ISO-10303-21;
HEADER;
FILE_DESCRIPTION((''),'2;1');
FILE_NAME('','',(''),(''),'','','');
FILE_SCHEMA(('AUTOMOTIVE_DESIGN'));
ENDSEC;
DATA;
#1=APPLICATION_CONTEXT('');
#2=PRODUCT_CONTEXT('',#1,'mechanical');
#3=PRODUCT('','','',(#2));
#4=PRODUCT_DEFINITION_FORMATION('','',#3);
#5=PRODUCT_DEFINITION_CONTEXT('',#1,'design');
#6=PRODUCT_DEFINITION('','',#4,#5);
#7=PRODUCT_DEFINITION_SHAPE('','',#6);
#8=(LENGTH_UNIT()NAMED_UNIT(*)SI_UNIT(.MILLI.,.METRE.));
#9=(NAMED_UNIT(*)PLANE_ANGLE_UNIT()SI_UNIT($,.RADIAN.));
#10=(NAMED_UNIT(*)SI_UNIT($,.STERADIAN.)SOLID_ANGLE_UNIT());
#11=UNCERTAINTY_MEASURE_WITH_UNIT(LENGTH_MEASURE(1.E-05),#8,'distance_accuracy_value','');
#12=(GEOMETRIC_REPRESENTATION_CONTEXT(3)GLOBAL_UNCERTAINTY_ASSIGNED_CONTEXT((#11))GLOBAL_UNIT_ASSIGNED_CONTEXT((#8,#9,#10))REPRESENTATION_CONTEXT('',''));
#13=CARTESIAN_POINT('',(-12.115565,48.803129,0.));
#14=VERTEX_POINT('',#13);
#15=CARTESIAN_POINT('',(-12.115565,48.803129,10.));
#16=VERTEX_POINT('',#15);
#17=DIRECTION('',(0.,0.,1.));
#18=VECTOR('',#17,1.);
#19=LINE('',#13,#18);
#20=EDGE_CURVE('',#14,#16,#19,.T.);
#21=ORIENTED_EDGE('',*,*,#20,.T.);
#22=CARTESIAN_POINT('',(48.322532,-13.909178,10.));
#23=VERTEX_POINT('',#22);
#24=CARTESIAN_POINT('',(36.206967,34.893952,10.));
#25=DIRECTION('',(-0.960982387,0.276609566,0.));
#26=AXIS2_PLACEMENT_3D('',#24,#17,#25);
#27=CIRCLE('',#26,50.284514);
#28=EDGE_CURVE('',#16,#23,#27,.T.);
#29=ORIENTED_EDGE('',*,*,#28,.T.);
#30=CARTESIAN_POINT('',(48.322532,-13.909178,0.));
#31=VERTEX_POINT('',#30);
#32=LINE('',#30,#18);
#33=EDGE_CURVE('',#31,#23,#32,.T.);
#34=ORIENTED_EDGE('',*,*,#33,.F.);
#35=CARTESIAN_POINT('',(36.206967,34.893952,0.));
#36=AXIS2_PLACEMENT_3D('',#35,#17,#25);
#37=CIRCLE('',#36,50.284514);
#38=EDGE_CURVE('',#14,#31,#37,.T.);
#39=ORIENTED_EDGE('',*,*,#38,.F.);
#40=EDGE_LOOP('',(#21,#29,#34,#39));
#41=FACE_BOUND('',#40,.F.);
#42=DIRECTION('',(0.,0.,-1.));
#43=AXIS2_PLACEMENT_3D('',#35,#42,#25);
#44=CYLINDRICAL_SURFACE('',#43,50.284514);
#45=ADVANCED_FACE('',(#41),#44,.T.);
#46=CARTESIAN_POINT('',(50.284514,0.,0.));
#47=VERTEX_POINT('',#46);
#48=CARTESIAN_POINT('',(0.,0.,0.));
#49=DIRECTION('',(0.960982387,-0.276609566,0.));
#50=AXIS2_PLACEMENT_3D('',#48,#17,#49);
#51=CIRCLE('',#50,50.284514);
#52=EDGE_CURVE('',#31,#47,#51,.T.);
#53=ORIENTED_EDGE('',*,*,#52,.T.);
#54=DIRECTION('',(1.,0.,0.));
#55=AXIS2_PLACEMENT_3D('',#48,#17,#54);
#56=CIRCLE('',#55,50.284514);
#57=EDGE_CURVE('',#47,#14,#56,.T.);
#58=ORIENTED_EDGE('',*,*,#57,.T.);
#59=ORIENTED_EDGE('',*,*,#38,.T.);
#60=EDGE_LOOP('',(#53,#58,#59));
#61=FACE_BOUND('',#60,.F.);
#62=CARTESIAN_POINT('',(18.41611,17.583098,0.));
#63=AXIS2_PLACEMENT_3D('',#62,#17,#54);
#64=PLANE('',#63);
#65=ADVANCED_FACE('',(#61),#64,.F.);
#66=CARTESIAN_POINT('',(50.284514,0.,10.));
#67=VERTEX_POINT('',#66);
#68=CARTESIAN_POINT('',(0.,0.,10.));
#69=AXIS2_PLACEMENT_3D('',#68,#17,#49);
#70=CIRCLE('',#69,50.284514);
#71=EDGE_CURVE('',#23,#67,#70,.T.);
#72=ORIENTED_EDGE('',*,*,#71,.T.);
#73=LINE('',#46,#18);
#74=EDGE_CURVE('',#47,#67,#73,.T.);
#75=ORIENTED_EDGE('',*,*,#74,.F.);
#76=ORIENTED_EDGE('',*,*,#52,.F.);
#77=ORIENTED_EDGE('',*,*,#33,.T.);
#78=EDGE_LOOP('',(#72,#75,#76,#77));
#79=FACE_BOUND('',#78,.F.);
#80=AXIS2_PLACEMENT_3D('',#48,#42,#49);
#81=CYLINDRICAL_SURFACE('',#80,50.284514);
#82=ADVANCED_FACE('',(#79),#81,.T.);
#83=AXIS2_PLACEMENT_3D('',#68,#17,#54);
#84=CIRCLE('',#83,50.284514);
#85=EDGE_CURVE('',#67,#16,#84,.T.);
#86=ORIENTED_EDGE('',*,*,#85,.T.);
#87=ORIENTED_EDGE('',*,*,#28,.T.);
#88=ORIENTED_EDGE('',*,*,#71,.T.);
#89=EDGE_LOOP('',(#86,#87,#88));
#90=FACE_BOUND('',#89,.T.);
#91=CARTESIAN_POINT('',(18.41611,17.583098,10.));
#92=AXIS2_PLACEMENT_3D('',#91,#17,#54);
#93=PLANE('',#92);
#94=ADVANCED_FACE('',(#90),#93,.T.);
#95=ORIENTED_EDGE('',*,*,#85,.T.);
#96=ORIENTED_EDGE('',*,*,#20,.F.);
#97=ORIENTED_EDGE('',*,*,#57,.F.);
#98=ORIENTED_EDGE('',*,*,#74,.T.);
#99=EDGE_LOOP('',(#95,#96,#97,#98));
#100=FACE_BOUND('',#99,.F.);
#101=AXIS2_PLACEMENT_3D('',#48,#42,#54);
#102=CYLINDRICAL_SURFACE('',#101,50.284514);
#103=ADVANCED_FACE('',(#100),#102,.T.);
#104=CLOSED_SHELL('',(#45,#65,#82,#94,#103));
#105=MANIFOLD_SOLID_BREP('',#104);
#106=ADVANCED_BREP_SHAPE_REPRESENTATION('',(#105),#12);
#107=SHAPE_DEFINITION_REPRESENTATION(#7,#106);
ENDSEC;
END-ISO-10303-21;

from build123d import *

# Parameters (mm, degrees)
F1_DEPTH = 10


with BuildPart() as f1:
    # F0 (on Top) → F1 (new body)
    with BuildSketch(Plane.XY):
        with BuildLine():
            ThreePointArc((48.3225322578, -13.9091775972), (49.7916026738, -7.0234356563), (50.2845139704, 0))
            ThreePointArc((50.2845139704, 0), (30.9782750371, 39.6090749825), (-12.115564984, 48.8031293091))
            ThreePointArc((-12.115564984, 48.8031293091), (0, 0), (48.3225322578, -13.9091775972))
        make_face()
    extrude(amount=F1_DEPTH)


solid = f1.part
